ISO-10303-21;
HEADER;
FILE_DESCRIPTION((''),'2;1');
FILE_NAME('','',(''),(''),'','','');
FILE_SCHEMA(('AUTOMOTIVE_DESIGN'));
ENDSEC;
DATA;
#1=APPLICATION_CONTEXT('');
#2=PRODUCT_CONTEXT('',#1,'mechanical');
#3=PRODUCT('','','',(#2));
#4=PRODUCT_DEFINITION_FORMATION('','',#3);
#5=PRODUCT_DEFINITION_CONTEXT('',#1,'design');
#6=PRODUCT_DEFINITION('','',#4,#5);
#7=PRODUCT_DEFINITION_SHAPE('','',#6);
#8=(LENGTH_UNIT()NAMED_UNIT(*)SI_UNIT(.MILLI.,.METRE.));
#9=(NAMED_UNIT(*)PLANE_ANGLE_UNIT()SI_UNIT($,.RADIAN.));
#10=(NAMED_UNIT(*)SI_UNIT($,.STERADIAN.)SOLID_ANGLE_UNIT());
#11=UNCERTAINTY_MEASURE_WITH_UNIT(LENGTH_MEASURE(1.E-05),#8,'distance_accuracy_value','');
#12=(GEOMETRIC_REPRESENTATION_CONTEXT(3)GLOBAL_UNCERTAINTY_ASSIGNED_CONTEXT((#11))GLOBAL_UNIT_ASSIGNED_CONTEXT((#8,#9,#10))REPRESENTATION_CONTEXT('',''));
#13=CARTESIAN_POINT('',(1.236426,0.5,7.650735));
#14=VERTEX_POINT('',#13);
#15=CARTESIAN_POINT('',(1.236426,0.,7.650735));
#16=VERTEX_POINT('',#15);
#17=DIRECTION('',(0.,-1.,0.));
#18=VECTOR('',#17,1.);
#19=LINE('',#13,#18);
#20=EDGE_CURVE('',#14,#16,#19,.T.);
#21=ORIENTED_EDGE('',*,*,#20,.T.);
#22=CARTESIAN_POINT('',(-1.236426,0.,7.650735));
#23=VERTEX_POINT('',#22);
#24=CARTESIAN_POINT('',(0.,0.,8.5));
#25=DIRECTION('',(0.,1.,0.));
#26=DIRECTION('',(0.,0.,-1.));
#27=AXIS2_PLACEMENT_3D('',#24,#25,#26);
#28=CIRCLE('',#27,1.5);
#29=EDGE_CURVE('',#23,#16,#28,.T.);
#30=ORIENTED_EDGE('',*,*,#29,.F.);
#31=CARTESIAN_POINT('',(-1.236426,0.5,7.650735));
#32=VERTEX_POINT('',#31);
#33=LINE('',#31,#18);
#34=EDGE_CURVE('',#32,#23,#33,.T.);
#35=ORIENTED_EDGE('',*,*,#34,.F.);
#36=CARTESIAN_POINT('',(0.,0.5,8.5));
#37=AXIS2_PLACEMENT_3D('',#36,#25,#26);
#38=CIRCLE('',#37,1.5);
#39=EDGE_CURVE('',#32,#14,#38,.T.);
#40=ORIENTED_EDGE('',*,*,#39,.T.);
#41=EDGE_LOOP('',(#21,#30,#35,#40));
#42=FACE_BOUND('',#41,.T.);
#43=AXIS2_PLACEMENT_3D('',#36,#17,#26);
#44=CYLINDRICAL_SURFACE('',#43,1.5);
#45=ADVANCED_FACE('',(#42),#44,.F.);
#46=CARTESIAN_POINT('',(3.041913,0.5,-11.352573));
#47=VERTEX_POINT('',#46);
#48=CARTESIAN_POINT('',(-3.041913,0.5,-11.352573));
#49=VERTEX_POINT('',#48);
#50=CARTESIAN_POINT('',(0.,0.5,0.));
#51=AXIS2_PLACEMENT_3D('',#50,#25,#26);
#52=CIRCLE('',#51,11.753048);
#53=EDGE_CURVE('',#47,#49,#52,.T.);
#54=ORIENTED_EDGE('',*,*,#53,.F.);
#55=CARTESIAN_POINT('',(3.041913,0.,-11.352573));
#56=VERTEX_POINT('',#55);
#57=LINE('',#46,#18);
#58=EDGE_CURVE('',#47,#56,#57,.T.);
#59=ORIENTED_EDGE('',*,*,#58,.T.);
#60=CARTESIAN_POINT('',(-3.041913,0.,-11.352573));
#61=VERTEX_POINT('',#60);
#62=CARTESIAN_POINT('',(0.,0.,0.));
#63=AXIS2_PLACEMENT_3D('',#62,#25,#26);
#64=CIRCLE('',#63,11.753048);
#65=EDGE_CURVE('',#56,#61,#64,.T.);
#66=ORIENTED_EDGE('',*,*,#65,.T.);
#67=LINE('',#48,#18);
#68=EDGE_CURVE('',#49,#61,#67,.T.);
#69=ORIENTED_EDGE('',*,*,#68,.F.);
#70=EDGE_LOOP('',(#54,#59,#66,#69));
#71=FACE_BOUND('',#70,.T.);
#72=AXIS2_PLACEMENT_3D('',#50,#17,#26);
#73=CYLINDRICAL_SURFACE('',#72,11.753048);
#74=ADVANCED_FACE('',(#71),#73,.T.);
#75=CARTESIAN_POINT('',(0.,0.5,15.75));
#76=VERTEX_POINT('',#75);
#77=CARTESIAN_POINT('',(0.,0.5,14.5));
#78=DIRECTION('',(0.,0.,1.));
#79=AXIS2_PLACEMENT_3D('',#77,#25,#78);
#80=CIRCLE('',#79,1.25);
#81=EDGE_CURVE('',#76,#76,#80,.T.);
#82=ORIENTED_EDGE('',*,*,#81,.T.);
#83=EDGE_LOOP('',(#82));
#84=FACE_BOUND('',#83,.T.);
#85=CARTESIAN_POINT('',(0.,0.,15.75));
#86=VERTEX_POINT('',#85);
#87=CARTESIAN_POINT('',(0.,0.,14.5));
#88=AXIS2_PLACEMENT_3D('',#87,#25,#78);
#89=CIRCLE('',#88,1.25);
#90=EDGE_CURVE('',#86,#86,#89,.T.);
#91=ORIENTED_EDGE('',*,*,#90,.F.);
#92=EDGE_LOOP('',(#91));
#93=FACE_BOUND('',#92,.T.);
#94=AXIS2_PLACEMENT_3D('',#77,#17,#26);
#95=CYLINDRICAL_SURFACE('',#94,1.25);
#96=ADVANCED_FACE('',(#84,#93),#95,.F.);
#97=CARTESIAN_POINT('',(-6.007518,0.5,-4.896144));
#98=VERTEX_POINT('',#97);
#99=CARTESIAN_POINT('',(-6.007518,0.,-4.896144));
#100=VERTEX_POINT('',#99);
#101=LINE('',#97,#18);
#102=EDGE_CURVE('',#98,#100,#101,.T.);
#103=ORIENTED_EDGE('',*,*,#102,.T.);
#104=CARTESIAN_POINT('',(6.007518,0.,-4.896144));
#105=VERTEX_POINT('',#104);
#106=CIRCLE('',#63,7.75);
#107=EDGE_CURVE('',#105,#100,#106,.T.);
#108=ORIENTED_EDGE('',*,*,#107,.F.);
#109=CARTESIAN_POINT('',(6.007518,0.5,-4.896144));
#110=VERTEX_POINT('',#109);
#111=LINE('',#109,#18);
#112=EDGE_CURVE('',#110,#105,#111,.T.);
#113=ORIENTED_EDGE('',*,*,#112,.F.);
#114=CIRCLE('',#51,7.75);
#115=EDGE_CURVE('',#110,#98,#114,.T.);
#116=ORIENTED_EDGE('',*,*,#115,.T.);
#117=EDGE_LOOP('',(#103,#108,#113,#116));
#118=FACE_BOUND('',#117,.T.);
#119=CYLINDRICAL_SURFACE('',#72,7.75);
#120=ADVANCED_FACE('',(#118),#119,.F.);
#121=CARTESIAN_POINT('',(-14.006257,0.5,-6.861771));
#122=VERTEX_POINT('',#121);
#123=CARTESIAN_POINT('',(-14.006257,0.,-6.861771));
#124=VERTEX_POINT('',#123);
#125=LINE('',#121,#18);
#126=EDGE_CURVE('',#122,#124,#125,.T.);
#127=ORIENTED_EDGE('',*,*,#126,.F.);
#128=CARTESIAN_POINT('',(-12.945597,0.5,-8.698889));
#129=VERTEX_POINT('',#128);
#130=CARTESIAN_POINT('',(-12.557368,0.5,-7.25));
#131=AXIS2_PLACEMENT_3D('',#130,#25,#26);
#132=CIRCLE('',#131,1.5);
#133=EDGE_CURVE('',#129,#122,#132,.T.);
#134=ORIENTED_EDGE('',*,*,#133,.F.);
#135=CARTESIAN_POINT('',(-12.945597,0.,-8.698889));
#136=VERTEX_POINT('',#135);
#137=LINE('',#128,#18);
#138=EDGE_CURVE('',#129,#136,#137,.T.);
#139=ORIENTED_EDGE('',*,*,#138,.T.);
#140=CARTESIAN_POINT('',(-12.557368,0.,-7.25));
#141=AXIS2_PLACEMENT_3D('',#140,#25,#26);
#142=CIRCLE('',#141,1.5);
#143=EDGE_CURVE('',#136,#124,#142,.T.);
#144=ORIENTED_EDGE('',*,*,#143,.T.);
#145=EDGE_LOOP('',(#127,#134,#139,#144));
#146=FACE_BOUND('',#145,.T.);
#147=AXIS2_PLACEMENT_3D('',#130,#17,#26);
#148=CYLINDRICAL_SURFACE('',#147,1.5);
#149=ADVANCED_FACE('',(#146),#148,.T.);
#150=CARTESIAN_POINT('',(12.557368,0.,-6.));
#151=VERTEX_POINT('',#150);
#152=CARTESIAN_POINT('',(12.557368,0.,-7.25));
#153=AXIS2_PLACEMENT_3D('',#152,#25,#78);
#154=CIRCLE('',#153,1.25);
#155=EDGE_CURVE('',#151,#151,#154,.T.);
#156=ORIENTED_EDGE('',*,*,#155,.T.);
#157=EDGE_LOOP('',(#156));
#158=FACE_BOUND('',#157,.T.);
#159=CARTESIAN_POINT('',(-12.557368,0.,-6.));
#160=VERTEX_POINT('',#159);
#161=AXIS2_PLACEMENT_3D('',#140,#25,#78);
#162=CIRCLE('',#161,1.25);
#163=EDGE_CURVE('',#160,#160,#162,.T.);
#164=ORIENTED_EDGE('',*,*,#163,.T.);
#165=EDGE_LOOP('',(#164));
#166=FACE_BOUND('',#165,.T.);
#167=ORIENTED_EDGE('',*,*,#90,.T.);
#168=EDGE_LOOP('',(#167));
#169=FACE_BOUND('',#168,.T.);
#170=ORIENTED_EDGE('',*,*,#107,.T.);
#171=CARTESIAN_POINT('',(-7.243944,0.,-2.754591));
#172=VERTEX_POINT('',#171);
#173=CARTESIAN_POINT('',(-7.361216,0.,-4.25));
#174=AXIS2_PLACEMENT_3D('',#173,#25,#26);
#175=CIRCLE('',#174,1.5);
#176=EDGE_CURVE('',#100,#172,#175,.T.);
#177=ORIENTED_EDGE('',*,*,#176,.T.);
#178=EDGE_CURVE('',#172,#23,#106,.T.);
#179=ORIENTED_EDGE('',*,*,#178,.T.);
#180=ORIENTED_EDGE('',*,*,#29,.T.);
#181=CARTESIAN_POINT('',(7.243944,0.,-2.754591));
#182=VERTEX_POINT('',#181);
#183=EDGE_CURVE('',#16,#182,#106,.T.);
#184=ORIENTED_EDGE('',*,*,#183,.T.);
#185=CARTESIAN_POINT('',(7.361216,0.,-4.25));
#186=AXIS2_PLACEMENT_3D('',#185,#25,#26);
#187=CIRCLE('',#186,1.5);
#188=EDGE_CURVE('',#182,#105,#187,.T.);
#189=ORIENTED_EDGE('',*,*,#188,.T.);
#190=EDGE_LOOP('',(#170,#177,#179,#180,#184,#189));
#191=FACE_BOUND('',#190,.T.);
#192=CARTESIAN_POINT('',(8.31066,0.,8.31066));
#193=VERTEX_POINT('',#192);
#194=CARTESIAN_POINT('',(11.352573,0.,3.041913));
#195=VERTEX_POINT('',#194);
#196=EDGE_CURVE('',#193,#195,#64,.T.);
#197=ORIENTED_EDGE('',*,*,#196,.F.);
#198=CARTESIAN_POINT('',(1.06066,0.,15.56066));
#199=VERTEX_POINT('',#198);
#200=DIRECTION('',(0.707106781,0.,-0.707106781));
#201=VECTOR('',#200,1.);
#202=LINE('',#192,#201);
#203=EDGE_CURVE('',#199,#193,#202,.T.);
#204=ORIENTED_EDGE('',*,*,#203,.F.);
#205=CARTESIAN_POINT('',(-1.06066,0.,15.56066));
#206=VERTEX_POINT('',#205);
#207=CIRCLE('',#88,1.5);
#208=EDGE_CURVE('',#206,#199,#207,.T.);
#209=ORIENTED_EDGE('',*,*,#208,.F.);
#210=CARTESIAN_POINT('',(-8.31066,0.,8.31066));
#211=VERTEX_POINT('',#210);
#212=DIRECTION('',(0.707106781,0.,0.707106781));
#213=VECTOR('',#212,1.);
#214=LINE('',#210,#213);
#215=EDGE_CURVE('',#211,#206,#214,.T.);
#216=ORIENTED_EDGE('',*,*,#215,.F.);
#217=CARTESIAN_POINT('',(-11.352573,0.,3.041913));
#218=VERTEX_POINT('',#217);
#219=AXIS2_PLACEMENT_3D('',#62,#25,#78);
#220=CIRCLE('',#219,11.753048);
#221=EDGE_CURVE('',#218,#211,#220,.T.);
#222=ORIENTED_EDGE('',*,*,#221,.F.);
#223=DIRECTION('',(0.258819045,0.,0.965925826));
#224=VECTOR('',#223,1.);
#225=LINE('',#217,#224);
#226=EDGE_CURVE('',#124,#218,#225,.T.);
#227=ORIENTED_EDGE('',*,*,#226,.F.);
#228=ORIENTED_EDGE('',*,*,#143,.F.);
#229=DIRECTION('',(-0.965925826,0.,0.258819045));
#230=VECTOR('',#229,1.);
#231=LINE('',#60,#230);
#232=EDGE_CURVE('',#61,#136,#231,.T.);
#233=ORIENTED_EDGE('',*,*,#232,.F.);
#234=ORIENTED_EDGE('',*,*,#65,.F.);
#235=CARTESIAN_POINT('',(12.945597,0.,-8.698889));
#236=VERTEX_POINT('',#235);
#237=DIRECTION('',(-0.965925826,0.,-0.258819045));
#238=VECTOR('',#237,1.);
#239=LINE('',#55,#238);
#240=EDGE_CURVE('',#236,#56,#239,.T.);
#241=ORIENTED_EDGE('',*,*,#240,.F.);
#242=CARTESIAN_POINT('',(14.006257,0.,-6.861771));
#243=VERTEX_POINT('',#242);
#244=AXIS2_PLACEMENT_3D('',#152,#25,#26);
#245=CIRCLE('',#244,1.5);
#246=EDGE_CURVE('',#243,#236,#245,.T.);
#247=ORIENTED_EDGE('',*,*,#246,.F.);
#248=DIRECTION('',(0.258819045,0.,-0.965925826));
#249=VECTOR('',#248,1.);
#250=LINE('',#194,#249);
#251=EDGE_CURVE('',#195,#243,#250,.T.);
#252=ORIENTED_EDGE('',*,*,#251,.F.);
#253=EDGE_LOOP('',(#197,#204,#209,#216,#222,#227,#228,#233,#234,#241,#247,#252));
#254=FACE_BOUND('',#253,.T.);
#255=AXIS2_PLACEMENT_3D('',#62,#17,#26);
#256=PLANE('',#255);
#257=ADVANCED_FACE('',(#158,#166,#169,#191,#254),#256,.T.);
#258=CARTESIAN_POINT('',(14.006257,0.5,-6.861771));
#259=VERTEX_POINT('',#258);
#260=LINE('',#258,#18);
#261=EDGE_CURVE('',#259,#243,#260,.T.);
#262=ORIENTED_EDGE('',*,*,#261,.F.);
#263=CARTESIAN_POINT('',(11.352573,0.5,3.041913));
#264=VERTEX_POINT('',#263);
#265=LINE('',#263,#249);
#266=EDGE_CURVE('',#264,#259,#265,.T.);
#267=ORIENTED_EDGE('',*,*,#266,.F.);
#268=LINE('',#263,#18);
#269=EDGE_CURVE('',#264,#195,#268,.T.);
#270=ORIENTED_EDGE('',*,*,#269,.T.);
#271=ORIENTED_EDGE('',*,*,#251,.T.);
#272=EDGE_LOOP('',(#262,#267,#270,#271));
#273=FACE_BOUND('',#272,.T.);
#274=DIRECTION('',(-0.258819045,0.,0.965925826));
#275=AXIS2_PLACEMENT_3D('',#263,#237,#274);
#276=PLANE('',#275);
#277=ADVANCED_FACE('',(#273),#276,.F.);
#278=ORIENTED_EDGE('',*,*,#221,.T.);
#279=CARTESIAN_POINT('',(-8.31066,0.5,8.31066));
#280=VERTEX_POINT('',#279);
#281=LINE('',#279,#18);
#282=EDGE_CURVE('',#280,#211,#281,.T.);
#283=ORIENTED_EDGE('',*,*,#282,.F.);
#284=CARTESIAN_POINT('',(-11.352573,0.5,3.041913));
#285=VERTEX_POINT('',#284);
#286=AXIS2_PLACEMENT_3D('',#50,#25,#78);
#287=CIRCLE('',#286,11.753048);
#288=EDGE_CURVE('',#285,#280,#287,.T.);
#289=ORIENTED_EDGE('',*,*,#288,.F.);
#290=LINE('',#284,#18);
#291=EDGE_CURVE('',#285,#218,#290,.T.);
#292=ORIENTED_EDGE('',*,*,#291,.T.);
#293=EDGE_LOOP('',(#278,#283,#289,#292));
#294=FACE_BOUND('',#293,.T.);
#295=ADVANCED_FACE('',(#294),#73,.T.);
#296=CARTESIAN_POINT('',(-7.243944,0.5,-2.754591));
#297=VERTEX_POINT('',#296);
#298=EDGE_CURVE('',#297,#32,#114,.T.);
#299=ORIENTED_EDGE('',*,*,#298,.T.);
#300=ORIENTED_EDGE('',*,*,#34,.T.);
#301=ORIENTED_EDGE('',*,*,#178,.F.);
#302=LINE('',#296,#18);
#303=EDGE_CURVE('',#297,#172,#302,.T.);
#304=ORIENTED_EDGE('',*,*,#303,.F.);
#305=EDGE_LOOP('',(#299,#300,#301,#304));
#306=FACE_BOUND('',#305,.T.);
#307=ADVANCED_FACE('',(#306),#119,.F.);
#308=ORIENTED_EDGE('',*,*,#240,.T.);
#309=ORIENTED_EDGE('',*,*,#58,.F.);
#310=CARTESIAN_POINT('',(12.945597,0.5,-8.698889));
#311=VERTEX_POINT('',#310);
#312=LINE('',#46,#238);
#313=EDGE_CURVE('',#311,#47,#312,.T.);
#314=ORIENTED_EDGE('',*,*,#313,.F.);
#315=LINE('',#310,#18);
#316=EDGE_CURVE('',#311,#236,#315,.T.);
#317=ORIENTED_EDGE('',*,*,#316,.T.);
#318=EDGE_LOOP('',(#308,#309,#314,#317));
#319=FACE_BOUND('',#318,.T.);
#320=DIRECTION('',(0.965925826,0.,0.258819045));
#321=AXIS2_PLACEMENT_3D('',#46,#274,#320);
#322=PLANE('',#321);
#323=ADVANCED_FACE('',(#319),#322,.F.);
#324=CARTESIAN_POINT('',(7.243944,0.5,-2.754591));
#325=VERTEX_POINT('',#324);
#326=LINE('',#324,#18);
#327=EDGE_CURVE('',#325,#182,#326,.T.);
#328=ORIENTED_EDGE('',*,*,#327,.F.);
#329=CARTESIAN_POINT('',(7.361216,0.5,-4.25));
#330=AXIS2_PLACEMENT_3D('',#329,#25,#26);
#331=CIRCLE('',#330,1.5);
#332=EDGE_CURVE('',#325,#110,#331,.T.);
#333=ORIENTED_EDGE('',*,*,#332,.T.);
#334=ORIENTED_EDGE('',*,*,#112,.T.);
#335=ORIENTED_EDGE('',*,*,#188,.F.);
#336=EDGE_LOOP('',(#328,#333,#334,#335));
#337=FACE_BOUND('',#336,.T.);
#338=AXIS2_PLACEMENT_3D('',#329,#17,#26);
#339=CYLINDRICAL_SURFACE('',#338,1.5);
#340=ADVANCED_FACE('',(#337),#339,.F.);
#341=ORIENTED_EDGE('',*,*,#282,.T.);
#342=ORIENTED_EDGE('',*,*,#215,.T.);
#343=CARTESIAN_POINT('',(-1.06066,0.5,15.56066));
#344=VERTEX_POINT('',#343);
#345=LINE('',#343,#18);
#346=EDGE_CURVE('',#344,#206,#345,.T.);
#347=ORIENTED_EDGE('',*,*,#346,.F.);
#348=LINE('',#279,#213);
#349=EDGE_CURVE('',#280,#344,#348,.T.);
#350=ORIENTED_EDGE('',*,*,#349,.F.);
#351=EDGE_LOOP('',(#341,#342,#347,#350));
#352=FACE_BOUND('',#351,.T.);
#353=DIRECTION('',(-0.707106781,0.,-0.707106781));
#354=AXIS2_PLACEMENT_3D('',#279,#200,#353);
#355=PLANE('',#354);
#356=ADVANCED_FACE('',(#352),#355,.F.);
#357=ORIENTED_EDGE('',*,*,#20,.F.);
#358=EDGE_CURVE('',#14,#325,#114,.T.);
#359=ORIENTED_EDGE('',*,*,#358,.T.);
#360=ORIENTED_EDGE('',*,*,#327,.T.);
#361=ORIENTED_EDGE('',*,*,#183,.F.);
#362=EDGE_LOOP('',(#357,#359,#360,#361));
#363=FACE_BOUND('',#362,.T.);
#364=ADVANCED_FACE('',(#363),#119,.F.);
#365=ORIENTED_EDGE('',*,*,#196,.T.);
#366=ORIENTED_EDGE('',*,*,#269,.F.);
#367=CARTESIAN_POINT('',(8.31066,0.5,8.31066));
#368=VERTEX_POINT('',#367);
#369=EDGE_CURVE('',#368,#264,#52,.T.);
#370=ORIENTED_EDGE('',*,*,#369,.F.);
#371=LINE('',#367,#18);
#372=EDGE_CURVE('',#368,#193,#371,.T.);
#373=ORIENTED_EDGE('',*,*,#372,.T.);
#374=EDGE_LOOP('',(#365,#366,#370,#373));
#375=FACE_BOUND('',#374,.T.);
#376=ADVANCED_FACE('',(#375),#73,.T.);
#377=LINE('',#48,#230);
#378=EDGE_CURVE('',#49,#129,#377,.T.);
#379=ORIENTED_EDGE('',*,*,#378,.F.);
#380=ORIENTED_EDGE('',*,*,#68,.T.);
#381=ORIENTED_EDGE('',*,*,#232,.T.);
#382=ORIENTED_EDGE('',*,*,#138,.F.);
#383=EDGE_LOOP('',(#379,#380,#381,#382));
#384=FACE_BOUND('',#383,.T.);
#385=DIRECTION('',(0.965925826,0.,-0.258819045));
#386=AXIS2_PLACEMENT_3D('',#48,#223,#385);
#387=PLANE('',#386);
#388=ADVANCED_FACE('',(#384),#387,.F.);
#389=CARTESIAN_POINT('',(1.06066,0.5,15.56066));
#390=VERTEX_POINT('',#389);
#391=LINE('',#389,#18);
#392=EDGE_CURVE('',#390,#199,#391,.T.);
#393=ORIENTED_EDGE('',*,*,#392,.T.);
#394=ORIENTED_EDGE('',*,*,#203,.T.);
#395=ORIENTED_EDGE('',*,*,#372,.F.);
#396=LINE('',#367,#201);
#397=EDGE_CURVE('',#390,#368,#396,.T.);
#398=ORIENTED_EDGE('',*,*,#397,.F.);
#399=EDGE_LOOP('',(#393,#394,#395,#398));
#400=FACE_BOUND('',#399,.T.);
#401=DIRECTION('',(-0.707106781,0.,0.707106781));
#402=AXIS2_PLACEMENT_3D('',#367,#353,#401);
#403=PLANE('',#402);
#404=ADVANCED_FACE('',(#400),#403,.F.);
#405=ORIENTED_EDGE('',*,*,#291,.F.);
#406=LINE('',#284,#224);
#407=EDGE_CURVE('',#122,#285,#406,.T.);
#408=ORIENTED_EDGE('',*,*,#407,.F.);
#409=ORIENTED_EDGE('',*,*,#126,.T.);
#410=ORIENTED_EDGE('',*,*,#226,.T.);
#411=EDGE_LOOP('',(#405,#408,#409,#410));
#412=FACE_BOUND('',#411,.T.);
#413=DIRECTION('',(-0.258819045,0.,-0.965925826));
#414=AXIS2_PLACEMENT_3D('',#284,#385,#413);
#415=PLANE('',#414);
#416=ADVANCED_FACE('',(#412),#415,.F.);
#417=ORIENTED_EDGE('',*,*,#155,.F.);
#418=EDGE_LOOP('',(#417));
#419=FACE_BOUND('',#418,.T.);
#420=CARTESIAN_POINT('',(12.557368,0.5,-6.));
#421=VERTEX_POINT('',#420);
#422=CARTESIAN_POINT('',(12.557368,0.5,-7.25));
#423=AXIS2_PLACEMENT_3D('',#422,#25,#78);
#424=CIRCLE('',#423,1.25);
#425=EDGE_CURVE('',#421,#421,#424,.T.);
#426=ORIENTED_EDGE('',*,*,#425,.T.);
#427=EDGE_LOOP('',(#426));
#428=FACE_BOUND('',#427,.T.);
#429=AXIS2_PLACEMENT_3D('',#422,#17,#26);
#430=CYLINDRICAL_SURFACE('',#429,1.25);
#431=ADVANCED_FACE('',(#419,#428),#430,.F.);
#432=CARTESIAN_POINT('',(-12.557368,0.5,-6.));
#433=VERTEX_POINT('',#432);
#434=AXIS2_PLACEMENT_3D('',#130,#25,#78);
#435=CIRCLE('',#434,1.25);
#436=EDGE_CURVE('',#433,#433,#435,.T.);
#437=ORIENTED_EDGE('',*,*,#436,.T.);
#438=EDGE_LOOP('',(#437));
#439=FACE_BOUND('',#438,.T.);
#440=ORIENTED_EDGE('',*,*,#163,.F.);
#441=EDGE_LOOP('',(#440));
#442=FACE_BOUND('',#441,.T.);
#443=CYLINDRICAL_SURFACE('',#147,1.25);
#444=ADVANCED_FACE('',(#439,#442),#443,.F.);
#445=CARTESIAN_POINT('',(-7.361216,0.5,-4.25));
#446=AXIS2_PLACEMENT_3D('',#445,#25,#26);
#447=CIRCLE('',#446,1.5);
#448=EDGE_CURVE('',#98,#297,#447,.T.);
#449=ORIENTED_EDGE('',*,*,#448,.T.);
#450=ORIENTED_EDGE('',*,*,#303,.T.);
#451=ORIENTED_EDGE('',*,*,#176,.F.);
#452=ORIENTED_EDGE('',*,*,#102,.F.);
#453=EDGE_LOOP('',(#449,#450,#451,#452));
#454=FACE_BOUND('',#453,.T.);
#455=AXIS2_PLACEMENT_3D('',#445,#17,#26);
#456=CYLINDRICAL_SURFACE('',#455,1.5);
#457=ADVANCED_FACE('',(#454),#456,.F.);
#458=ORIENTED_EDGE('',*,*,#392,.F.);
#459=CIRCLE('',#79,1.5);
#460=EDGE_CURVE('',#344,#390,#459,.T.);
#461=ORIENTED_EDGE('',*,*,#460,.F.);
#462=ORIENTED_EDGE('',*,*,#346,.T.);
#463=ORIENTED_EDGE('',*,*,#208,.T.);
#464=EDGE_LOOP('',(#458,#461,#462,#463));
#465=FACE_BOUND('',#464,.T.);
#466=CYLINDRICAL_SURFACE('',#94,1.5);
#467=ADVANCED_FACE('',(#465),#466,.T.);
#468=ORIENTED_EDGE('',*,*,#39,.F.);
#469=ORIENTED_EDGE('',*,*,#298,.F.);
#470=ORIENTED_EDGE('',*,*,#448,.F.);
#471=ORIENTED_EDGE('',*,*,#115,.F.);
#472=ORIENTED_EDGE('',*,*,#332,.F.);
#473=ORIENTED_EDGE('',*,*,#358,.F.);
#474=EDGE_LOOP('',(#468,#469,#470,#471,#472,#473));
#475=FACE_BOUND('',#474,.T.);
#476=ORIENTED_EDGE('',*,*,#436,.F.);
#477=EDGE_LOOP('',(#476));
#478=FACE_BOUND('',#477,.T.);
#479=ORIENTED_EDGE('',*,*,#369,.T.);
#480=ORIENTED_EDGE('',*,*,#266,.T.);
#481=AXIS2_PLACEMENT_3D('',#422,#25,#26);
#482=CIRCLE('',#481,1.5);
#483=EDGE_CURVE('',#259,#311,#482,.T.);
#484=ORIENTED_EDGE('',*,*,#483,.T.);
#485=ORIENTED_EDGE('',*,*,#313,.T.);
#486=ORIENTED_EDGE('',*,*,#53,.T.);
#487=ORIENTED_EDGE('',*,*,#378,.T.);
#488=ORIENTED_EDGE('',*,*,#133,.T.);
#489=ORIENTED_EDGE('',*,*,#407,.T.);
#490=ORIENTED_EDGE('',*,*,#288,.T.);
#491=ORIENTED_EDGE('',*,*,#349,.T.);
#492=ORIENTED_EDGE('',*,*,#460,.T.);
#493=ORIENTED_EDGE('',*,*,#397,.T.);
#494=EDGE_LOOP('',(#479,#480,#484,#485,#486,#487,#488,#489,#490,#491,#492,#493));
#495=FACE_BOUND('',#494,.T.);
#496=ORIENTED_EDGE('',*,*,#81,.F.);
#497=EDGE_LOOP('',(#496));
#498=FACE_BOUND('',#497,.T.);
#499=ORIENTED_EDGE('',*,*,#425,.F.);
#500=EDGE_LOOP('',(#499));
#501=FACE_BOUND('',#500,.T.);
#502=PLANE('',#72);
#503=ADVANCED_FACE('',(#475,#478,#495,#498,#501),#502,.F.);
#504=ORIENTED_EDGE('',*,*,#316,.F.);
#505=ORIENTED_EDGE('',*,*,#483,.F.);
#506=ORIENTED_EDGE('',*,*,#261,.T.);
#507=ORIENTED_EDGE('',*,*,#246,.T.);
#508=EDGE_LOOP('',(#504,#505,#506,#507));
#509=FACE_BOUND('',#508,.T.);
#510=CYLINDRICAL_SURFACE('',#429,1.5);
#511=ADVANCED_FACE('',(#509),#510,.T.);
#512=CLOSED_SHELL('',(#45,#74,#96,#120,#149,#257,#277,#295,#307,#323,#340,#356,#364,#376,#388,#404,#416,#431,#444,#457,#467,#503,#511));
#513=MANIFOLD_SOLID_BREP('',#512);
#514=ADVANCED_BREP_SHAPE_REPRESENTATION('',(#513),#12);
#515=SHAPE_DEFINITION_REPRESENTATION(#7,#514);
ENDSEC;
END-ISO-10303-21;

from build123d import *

# Parameters (mm, degrees)
ESQUISSE1_R      = 1.25
EXTRUSION1_DEPTH = 0.5


with BuildPart() as part:
    # Esquisse1 → Extrusion1 (new body)
    with BuildSketch(Plane(origin=(0, 0, 0), x_dir=(1, 0, 0), z_dir=(0, 1, 0))):
        with BuildLine():
            Line((-11.352572917, -3.041912745), (-14.006257094, 6.861771432))
            ThreePointArc((-14.006257094, 6.861771432), (-13.856406461, 8), (-12.945596923, 8.698888739))
            Line((-12.945596923, 8.698888739), (-3.041912745, 11.352572917))
            ThreePointArc((-3.041912745, 11.352572917), (0, 11.753048327), (3.041912745, 11.352572917))
            Line((3.041912745, 11.352572917), (12.945596923, 8.698888739))
            ThreePointArc((12.945596923, 8.698888739), (13.856406461, 8), (14.006257094, 6.861771432))
            Line((14.006257094, 6.861771432), (11.352572917, -3.041912745))
            ThreePointArc((11.352572917, -3.041912745), (10.178438423, -5.876524164), (8.310660172, -8.310660172))
            Line((8.310660172, -8.310660172), (1.060660172, -15.560660172))
            ThreePointArc((1.060660172, -15.560660172), (0, -16), (-1.060660172, -15.560660172))
            Line((-1.060660172, -15.560660172), (-8.310660172, -8.310660172))
            ThreePointArc((-8.310660172, -8.310660172), (-10.178438423, -5.876524164), (-11.352572917, -3.041912745))
        make_face()
        with Locations((-12.557368355, 7.25)):
            Circle(ESQUISSE1_R, mode=Mode.SUBTRACT)
        with Locations((12.557368355, 7.25)):
            Circle(ESQUISSE1_R, mode=Mode.SUBTRACT)
        with Locations((0, -14.5)):
            Circle(ESQUISSE1_R, mode=Mode.SUBTRACT)
        with BuildLine():
            ThreePointArc((-7.243944164, 2.754591249), (-8.660254038, 5), (-6.007518081, 4.896144045))
            ThreePointArc((-6.007518081, 4.896144045), (0, 7.75), (6.007518081, 4.896144045))
            ThreePointArc((6.007518081, 4.896144045), (8.660254038, 5), (7.243944164, 2.754591249))
            ThreePointArc((7.243944164, 2.754591249), (6.711696879, -3.875), (1.236426083, -7.650735294))
            ThreePointArc((1.236426083, -7.650735294), (0, -10), (-1.236426083, -7.650735294))
            ThreePointArc((-1.236426083, -7.650735294), (-6.711696879, -3.875), (-7.243944164, 2.754591249))
        make_face(mode=Mode.SUBTRACT)
    extrude(amount=EXTRUSION1_DEPTH)


solid = part.part
